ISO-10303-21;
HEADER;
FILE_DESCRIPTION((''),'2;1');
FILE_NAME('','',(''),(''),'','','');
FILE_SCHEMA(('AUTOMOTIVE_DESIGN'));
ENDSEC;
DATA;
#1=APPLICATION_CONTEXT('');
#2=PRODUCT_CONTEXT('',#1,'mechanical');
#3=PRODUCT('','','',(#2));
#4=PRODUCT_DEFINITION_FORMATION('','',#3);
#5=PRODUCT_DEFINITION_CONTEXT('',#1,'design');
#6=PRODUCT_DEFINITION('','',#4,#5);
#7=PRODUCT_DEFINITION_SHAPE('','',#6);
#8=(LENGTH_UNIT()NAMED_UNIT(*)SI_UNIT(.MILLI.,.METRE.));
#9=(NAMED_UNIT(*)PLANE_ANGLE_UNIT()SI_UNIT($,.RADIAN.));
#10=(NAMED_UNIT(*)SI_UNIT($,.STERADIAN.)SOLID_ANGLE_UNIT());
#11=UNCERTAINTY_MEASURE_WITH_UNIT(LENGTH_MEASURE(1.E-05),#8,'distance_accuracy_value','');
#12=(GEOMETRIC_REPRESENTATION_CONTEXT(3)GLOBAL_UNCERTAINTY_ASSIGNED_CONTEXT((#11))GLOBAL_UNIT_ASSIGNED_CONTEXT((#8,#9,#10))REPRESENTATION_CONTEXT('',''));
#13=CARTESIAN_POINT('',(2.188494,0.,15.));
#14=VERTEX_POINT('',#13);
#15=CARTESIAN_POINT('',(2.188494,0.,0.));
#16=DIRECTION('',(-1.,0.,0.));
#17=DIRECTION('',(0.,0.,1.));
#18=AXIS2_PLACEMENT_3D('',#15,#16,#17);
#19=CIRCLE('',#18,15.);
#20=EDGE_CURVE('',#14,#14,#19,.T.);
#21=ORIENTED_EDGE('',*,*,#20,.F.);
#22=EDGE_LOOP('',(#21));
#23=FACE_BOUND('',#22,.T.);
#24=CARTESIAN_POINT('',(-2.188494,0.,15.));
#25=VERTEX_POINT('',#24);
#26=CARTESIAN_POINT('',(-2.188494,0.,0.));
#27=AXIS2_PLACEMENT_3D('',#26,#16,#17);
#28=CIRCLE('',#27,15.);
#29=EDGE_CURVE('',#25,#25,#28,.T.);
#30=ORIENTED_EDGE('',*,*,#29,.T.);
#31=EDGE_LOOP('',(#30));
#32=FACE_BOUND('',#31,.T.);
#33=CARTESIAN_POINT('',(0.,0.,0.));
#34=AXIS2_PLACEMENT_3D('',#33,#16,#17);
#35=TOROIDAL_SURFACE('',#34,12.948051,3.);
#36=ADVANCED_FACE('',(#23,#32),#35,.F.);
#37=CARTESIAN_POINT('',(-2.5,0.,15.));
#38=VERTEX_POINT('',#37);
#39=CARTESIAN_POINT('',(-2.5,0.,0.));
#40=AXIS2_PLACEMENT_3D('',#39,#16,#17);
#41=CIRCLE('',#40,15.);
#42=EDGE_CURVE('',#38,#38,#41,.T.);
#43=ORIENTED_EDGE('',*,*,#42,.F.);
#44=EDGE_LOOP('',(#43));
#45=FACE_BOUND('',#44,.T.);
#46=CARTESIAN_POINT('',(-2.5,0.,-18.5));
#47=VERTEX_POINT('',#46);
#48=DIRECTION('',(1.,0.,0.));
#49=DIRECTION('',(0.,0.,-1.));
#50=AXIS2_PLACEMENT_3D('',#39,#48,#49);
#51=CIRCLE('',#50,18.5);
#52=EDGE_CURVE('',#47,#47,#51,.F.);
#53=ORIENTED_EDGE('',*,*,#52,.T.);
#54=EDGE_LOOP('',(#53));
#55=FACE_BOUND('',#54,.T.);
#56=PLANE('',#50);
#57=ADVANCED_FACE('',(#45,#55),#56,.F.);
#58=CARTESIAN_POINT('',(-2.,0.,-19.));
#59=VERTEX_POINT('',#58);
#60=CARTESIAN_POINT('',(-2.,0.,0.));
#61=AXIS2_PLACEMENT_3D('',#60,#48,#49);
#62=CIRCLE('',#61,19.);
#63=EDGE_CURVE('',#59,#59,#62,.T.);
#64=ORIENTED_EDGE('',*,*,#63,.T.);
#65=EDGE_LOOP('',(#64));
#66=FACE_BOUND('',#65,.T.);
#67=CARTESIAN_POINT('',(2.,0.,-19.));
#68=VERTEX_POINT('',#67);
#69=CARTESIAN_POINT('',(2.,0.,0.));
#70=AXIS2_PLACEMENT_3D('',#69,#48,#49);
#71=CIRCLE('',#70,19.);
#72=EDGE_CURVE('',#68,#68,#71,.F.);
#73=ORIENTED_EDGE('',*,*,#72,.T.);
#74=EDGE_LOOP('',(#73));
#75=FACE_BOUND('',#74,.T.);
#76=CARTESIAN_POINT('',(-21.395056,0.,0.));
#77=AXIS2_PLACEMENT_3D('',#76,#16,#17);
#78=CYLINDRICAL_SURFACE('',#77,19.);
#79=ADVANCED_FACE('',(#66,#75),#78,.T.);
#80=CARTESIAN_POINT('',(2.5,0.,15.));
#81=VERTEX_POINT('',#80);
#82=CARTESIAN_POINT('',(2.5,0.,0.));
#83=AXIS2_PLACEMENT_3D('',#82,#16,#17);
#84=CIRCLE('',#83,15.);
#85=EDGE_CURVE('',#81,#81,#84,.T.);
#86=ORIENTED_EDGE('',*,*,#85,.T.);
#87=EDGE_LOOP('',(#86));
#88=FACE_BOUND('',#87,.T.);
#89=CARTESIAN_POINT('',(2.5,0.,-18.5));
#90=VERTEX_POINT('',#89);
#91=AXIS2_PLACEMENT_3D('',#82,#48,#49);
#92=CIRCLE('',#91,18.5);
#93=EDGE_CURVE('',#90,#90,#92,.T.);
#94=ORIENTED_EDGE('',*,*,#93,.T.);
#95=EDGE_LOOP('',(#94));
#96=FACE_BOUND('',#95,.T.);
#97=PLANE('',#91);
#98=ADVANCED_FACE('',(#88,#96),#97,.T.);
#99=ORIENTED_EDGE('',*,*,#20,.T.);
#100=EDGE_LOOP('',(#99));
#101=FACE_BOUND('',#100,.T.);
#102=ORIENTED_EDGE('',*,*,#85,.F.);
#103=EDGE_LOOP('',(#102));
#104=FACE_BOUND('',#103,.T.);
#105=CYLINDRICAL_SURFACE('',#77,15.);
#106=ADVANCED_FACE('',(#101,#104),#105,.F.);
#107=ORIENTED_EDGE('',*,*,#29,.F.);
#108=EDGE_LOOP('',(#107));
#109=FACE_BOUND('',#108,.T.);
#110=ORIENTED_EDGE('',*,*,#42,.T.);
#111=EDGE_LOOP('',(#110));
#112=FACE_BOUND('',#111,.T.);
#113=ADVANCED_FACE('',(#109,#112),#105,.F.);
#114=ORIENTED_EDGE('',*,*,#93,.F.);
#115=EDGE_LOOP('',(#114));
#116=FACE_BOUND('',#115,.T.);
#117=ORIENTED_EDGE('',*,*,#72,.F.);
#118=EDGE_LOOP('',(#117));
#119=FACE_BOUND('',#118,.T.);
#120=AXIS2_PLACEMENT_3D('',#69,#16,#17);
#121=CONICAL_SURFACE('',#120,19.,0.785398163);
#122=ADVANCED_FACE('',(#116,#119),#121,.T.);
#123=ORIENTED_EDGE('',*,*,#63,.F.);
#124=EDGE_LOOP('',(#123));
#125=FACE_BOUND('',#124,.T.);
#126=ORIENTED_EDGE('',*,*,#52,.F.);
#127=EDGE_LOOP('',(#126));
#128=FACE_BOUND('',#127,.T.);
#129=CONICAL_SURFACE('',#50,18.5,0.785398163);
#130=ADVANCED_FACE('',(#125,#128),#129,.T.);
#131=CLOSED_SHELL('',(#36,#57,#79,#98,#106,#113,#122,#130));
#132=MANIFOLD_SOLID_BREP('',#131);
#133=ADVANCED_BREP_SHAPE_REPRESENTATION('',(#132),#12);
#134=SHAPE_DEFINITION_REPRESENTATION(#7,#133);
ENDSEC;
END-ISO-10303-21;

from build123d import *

# Parameters (mm, degrees)
CHAMFER2_SIZE = 0.5


with BuildPart() as part:
    # Sketch1 → Revolve2 (revolve)
    with BuildSketch(Plane.XY):
        with BuildLine():
            Line((-2.5, 15), (-2.188493664, 15))
            ThreePointArc((-2.188493664, 15), (0, 15.948050809), (2.188493664, 15))
            Line((2.188493664, 15), (2.5, 15))
            Line((2.5, 15), (2.5, 19))
            Line((2.5, 19), (-2.5, 19))
            Line((-2.5, 19), (-2.5, 15))
        make_face()
    revolve(axis=Axis((-21.395056223, 0, 0), (1, 0, 0)))

    # Chamfer2
    chamfer2_edges = [part.edges().sort_by_distance(p)[0] for p in [
        (-2.5, -19, 0),
        (2.5, -19, 0),
    ]]
    chamfer(chamfer2_edges, length=CHAMFER2_SIZE)


solid = part.part
